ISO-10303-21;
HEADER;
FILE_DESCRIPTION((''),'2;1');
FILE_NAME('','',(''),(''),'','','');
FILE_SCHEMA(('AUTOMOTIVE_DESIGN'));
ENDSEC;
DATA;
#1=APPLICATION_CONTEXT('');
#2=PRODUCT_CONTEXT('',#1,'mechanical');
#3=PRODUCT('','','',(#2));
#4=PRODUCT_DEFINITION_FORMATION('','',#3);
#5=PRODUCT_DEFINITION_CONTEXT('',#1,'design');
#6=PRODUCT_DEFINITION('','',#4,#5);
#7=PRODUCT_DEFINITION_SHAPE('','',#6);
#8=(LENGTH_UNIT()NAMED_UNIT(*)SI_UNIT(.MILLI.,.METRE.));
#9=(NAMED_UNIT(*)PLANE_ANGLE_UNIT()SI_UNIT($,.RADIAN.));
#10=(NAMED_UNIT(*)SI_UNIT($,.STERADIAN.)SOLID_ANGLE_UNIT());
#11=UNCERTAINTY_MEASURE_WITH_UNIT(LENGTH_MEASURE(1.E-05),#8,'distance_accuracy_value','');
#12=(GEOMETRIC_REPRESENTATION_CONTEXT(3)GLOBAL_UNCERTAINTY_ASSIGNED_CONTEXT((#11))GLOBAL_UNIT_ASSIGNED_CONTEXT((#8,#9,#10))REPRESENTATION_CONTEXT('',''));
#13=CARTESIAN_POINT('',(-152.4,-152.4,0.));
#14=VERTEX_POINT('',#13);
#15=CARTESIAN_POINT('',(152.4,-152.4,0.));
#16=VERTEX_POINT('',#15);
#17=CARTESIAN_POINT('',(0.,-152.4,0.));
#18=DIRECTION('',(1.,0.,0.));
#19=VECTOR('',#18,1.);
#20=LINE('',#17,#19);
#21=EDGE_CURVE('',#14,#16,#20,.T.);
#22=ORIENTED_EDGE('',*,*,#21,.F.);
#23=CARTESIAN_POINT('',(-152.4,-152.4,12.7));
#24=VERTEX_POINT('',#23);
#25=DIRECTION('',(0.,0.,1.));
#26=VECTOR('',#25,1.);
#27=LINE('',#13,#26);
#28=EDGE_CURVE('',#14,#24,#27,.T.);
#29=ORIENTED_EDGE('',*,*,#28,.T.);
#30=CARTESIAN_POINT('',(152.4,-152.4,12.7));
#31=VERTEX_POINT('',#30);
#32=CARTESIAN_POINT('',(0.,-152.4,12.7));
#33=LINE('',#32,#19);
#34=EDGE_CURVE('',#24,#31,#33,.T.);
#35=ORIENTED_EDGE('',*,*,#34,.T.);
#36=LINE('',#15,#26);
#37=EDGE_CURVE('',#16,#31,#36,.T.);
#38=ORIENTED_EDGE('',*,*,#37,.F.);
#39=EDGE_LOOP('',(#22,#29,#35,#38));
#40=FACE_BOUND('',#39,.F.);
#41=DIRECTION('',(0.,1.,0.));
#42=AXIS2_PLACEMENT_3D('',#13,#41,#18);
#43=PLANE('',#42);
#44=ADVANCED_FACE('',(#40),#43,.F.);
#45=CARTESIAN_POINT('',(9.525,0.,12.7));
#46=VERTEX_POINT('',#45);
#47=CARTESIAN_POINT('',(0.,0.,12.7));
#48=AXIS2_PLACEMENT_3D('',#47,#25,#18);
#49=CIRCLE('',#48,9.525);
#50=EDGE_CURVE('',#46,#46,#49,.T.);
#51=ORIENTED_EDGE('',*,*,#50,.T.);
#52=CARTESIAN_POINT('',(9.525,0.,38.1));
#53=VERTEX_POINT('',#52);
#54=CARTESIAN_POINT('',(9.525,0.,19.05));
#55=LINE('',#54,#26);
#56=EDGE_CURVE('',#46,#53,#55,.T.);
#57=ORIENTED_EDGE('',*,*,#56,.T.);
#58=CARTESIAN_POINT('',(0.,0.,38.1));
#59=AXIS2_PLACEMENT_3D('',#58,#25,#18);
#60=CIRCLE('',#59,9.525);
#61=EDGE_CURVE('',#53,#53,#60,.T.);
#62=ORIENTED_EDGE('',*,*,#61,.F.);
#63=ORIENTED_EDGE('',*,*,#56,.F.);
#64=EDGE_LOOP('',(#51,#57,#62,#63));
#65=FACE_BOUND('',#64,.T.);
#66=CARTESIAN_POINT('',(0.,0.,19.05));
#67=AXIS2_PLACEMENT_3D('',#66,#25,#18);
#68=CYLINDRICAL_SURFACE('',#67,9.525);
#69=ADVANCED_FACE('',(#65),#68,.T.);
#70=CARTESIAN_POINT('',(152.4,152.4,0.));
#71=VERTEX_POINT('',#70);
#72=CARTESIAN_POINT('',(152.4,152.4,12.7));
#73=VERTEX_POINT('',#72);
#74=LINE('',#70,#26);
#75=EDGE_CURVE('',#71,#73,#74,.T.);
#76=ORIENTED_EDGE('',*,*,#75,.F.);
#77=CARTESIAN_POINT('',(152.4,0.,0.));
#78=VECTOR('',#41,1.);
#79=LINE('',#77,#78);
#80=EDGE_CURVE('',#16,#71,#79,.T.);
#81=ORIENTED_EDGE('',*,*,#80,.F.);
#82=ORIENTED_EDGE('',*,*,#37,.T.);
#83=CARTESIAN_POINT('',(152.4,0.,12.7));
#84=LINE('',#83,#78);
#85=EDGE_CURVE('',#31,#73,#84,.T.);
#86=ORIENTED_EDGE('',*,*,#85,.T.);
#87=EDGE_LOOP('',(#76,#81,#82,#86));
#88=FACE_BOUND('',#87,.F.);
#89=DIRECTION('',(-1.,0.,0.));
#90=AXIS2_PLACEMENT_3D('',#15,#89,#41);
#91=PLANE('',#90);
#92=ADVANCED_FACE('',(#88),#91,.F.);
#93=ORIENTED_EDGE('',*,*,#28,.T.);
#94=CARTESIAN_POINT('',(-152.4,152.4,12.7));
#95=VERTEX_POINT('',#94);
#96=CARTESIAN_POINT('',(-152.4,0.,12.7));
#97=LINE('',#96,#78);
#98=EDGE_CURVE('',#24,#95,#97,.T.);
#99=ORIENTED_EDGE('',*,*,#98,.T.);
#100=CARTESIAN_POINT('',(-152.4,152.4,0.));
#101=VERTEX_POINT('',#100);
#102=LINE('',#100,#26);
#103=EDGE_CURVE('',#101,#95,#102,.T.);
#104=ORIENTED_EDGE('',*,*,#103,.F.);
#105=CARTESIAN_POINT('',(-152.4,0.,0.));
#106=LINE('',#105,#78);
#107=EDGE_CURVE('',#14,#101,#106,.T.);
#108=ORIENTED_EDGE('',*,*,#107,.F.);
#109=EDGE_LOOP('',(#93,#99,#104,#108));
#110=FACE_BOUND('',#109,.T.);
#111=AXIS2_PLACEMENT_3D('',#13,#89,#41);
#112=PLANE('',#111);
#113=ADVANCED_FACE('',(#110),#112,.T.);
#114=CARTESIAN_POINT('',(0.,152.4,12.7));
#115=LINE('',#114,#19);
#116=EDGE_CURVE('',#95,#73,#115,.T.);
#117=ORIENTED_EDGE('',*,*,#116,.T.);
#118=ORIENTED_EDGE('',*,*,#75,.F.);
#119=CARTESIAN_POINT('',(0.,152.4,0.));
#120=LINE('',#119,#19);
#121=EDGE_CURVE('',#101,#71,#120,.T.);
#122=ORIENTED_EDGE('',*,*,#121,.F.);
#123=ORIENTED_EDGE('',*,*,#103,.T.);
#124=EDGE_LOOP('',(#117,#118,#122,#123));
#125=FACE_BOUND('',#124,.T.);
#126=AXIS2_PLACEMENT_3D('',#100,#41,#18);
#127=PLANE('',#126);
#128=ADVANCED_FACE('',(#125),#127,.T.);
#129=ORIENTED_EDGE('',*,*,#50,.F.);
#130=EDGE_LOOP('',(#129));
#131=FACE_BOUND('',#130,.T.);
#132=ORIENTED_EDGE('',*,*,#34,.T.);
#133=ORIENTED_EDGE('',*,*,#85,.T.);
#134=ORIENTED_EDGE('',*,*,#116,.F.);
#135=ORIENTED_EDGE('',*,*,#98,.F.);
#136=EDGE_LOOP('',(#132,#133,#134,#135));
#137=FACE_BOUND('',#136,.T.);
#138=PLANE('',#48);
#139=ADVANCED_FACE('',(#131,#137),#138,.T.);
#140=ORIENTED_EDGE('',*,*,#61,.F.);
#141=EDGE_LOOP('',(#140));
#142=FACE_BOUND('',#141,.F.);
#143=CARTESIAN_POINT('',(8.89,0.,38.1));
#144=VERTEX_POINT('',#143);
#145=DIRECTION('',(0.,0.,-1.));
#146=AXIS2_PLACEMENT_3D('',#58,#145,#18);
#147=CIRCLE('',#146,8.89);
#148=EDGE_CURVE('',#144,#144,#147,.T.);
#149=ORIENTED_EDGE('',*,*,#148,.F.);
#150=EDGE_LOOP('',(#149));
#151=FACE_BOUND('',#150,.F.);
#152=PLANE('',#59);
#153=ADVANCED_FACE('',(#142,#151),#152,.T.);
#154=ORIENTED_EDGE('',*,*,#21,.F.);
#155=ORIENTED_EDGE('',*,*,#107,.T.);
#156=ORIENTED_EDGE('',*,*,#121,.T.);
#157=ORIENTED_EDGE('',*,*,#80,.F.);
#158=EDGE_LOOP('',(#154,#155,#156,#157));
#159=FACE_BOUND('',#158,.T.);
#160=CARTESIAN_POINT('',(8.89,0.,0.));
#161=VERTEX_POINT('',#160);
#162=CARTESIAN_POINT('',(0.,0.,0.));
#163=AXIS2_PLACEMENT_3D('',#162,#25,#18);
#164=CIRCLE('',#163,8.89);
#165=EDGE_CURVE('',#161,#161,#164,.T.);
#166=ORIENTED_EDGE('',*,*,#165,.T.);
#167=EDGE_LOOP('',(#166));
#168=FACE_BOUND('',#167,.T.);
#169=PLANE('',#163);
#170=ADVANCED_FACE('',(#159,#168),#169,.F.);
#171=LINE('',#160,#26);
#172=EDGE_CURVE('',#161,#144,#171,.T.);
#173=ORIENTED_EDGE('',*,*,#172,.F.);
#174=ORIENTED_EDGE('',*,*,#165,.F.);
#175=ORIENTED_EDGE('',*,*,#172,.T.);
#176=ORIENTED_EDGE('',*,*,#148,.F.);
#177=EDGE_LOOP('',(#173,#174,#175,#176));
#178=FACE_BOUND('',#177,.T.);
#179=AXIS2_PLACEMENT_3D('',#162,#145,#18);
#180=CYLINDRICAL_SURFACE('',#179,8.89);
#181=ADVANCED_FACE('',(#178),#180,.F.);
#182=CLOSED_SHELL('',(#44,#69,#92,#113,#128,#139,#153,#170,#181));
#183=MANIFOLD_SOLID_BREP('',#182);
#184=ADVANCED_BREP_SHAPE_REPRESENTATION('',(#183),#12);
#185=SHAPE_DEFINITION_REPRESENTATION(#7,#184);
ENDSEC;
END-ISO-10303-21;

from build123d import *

# Parameters (mm, degrees)
F0_W     = 304.8
F0_H     = 304.8
F1_DEPTH = 12.7
F2_R     = 9.525
F3_DEPTH = 12.7
F4_W     = 9.525
F4_H     = 38.1
F6_R     = 8.89
F7_DEPTH = 38.101


with BuildPart() as f1:
    # F0 (on Top) → F1 (new body)
    with BuildSketch(Plane.XY):
        Rectangle(F0_W, F0_H)
    extrude(amount=F1_DEPTH)

    # F2 (on Top) → F3 (cut, symmetric)
    with BuildSketch(Plane.XY):
        Circle(F2_R)
    extrude(amount=F3_DEPTH, both=True, mode=Mode.SUBTRACT)

    # F4 (on Front) → F5 (revolve)
    with BuildSketch(Plane.XZ):
        with Locations((4.7625, 19.05)):
            Rectangle(F4_W, F4_H)
    revolve(axis=Axis((0, 0, 19.05), (0, 0, 1)))

    # F6 (on Top) → F7 (cut, through all)
    with BuildSketch(Plane.XY):
        Circle(F6_R)
    extrude(amount=F7_DEPTH, mode=Mode.SUBTRACT)


solid = f1.part
